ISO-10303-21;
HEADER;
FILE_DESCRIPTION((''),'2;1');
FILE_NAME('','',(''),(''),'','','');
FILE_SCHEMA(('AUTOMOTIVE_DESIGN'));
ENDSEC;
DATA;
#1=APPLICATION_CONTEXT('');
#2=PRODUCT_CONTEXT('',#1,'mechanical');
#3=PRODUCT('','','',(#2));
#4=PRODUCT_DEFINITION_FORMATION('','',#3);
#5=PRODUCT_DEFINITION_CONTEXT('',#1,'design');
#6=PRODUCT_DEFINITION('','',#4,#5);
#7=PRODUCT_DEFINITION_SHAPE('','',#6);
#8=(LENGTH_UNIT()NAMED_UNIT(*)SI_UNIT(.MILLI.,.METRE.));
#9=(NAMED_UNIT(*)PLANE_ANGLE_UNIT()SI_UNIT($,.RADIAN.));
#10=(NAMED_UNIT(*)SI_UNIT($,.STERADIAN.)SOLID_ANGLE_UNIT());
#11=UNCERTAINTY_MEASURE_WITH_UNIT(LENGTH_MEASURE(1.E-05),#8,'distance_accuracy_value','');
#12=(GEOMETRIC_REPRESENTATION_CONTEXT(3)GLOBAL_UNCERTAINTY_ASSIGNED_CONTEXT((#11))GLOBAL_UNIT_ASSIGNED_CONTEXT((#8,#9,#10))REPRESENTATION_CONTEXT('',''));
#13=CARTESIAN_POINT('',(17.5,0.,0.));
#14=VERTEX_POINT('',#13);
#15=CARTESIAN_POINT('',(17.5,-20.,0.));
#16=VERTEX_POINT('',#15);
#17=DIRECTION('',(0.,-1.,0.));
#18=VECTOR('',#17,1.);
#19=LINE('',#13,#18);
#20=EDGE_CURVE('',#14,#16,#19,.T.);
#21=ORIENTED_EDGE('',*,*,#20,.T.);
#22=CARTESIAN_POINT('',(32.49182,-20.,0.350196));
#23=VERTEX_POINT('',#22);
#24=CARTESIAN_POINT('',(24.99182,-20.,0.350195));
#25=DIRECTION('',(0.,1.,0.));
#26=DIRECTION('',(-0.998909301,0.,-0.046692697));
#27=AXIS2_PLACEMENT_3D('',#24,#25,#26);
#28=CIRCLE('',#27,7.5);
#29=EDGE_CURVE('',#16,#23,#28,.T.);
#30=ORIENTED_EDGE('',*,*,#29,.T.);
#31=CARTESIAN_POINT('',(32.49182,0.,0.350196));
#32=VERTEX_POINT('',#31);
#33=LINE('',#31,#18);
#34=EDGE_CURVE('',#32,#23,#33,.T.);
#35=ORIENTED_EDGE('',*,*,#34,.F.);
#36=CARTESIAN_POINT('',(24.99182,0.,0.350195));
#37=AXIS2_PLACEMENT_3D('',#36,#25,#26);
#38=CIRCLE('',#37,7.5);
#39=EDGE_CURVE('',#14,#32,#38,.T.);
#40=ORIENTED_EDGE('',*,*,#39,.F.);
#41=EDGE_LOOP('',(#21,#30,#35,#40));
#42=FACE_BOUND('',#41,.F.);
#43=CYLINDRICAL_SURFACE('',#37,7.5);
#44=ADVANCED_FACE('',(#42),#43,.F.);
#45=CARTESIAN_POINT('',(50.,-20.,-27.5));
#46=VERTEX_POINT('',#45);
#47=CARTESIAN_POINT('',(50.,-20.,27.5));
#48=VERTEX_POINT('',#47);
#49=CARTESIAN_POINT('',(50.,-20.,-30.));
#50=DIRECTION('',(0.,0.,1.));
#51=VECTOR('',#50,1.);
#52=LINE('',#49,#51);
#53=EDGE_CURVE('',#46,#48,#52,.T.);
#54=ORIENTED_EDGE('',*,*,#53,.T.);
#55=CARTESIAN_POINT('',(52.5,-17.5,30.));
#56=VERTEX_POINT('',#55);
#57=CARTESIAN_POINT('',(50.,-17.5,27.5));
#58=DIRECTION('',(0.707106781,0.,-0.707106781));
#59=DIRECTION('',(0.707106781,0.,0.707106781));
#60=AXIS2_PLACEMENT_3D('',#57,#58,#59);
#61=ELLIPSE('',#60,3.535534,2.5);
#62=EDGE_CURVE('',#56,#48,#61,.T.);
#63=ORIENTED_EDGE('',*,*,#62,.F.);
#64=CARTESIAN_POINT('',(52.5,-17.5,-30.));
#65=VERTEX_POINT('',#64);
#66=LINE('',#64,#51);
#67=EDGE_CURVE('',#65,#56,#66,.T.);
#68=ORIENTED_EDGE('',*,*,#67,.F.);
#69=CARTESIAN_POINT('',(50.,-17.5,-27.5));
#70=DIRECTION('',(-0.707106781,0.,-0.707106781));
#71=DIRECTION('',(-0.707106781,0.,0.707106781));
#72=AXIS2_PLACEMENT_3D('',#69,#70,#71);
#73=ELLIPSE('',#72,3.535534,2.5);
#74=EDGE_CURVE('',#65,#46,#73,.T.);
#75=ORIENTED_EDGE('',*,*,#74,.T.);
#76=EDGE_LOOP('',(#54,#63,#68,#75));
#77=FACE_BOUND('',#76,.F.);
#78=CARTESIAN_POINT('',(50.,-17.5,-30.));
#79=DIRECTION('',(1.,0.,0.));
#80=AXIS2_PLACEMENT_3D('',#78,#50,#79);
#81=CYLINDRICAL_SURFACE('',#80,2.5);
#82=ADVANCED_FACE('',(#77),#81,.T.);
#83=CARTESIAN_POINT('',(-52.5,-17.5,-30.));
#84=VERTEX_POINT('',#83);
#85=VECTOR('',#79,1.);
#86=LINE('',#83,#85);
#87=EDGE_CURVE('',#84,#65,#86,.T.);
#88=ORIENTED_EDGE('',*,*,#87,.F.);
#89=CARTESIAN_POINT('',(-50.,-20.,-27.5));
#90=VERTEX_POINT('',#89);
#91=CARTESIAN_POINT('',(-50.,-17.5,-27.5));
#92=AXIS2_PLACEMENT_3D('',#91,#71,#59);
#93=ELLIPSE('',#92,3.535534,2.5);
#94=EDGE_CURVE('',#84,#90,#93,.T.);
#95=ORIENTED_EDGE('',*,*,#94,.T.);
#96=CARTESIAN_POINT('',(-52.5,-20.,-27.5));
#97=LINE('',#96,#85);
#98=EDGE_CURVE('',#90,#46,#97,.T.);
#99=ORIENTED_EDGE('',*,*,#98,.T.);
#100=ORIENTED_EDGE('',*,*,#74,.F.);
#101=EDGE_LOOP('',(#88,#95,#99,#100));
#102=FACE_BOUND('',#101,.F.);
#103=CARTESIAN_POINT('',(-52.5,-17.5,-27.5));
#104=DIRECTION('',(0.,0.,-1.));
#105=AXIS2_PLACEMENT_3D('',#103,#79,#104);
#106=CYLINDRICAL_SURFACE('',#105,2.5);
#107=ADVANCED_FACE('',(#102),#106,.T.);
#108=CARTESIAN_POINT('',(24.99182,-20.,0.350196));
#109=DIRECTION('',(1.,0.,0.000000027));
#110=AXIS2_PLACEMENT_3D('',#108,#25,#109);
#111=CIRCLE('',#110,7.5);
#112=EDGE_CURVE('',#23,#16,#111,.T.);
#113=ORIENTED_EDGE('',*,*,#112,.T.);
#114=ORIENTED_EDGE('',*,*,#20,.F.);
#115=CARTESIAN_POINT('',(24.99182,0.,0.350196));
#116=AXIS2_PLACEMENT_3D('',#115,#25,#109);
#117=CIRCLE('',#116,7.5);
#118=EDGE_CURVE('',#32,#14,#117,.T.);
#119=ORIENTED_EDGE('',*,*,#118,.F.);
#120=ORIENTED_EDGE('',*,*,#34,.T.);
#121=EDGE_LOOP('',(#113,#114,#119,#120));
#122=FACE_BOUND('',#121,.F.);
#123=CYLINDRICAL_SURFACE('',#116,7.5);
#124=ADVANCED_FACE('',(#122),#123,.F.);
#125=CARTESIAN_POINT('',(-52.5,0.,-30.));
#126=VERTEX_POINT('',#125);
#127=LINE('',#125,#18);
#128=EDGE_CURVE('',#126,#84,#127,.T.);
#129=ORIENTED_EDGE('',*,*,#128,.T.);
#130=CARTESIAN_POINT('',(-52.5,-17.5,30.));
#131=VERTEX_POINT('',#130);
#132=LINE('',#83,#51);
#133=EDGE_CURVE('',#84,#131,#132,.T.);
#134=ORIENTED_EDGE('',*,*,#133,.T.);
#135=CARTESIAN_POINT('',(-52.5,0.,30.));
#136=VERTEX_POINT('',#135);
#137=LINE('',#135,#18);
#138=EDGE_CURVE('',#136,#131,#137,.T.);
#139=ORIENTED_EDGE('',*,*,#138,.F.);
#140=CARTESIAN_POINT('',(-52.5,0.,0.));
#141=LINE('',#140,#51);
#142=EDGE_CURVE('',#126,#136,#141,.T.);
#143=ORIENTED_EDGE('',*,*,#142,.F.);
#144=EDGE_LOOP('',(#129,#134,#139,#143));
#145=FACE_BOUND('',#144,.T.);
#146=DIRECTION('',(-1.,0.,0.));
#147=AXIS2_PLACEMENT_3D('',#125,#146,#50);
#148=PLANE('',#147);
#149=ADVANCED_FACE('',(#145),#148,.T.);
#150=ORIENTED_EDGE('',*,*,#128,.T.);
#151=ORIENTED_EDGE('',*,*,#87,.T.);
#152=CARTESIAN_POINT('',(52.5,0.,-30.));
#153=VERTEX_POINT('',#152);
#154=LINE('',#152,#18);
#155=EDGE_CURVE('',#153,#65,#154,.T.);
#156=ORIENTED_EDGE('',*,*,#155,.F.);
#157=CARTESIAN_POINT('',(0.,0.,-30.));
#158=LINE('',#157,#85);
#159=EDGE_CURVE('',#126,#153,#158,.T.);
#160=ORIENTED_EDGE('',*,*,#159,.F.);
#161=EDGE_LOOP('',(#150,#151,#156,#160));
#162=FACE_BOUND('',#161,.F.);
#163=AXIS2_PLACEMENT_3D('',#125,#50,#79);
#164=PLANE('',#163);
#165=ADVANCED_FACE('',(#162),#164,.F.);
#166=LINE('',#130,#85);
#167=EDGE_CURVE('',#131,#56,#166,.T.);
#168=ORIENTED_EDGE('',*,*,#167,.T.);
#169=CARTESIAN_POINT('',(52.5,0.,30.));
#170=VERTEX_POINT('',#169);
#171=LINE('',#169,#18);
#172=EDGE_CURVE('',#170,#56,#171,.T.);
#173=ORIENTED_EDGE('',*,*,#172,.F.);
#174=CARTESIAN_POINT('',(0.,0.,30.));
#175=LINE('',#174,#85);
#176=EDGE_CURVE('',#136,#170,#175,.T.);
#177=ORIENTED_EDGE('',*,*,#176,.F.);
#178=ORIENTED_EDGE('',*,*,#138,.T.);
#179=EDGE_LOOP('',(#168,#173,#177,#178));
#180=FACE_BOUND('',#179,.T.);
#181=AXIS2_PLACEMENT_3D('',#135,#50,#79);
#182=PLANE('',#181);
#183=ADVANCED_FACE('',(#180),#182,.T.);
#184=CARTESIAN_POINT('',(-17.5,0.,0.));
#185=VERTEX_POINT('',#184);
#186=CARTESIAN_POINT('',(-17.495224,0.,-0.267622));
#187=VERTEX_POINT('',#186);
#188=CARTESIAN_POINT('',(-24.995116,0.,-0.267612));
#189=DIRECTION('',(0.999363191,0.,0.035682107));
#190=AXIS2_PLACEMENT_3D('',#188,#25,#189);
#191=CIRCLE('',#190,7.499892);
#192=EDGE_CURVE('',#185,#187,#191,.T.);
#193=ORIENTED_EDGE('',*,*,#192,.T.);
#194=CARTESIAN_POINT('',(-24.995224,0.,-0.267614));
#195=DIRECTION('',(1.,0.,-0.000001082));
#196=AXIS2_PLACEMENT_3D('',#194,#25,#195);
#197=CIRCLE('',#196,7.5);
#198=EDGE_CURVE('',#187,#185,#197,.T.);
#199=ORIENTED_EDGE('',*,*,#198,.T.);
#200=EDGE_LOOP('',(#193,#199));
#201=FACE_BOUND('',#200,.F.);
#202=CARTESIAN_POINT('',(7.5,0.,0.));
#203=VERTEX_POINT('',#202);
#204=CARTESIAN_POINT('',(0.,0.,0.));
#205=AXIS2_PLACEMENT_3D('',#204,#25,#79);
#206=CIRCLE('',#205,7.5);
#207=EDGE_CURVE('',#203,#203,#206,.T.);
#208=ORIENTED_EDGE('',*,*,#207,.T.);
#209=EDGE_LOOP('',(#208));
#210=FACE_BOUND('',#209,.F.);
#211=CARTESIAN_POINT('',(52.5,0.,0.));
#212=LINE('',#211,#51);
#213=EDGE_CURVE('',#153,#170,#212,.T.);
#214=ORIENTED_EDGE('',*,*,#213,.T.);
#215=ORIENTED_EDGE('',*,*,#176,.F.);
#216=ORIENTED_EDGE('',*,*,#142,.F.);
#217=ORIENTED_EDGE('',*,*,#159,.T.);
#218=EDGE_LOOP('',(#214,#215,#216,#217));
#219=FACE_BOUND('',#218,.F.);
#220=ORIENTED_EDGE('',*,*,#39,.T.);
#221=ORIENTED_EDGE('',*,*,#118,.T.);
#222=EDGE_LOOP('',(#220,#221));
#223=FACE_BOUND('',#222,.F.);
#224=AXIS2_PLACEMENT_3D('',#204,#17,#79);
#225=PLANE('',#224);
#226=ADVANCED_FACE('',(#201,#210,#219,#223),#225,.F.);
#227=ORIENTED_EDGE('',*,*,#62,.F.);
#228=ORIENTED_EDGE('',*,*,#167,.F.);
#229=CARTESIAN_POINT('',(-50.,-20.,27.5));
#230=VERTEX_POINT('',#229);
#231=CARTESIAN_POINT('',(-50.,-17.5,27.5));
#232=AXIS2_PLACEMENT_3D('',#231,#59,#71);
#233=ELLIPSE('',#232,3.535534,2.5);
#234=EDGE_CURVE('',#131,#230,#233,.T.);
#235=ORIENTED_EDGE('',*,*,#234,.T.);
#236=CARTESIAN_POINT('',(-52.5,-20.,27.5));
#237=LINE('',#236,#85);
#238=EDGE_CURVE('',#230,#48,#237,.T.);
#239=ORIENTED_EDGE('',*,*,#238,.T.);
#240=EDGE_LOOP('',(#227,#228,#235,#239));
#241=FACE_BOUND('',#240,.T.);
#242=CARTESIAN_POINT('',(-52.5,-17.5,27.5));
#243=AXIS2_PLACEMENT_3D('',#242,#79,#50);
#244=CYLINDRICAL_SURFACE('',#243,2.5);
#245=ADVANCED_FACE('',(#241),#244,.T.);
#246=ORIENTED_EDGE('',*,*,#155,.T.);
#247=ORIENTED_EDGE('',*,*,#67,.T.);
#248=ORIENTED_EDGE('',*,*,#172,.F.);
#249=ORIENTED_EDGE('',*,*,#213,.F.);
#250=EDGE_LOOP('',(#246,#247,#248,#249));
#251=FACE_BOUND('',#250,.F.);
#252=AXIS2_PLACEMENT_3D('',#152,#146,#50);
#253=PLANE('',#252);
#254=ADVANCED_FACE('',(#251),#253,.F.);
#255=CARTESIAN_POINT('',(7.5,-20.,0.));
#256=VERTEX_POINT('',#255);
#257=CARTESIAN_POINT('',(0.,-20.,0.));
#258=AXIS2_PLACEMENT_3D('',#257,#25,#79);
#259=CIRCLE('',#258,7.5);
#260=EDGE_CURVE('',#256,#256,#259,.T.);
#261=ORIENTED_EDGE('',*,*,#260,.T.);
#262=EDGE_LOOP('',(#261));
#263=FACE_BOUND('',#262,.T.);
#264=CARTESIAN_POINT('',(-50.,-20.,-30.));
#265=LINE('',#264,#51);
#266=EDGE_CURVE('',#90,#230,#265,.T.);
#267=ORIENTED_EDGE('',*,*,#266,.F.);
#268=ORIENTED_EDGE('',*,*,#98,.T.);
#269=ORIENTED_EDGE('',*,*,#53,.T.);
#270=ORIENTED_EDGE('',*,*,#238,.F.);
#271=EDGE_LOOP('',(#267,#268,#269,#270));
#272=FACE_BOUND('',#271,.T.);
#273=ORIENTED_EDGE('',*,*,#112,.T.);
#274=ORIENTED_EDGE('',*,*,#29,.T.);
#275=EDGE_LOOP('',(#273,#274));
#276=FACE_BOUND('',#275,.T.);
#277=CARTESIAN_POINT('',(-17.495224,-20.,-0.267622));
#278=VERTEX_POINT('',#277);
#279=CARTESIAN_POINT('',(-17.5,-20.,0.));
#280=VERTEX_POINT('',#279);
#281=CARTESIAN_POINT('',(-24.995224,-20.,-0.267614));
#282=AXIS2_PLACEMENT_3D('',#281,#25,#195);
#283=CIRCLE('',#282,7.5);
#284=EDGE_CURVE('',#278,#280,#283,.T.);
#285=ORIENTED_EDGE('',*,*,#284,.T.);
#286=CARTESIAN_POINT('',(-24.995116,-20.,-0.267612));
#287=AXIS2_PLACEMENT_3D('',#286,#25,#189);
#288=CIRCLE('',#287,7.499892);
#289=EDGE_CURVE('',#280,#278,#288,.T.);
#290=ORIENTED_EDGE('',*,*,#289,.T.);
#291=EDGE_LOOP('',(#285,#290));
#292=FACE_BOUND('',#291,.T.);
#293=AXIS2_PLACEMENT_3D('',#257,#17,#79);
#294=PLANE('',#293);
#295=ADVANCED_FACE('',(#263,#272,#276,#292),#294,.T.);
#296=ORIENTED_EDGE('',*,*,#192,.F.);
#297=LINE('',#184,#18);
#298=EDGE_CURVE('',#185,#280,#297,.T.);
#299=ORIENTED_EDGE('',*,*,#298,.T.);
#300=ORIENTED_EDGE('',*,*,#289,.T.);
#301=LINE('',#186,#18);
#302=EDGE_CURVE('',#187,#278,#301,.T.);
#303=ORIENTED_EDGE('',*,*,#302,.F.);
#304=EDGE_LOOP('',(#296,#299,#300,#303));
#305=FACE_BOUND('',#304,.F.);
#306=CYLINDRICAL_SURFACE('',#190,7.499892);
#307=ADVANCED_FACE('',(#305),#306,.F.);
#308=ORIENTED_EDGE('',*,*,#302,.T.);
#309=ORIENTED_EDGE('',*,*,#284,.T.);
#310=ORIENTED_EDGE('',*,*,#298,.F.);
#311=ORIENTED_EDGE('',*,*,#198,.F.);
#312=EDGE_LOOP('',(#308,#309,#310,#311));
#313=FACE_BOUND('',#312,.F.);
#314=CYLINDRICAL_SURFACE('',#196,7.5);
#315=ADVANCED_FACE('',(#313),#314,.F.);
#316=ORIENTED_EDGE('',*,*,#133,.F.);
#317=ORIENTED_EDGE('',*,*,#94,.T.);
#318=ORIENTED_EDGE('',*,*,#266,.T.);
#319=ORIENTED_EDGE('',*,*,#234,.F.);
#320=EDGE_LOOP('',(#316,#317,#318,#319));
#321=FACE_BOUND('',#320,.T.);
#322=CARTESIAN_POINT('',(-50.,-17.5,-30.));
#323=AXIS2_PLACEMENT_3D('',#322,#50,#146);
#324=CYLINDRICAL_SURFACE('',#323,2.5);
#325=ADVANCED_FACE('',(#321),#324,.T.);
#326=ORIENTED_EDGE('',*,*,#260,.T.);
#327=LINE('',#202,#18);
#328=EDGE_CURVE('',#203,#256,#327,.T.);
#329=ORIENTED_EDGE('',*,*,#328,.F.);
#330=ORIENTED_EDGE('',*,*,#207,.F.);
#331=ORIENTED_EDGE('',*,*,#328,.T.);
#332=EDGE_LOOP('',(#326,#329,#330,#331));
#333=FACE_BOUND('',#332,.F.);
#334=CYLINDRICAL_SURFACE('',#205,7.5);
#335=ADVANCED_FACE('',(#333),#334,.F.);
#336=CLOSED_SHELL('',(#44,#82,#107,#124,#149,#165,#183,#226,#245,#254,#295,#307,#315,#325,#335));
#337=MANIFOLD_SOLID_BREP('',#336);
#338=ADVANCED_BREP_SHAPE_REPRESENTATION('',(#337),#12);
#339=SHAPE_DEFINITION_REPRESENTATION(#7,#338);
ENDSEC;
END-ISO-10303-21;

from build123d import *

# Parameters (mm, degrees)
F0_W     = 105
F0_H     = 60
F1_DEPTH = 20
F2_R     = 2.5


with BuildPart() as f1:
    # F0 (on Front) → F1 (new body)
    with BuildSketch(Plane.XZ):
        Rectangle(F0_W, F0_H)
        with BuildLine():
            ThreePointArc((-17.495224, -0.267622), (-32.49403, -0.401454), (-17.5, 0))
            ThreePointArc((-17.5, 0), (-17.496418, -0.13379), (-17.495224, -0.267622))
        make_face(mode=Mode.SUBTRACT)
        with BuildLine():
            ThreePointArc((-7.5, 0), (0, 7.5), (7.5, 0))
            ThreePointArc((7.5, 0), (0, -7.5), (-7.5, 0))
        make_face(mode=Mode.SUBTRACT)
        with BuildLine():
            ThreePointArc((32.49182, 0.350196), (25.166965, -7.147759), (17.5, 0))
            ThreePointArc((17.5, 0), (24.816674, 7.84815), (32.49182, 0.350196))
        make_face(mode=Mode.SUBTRACT)
    extrude(amount=F1_DEPTH)

    # F2
    f2_edges = [f1.edges().sort_by_distance(p)[0] for p in [
        (-52.5, -20, 0),
        (0, -20, 30),
        (52.5, -20, 0),
        (0, -20, -30),
    ]]
    fillet(f2_edges, radius=F2_R)


solid = f1.part
